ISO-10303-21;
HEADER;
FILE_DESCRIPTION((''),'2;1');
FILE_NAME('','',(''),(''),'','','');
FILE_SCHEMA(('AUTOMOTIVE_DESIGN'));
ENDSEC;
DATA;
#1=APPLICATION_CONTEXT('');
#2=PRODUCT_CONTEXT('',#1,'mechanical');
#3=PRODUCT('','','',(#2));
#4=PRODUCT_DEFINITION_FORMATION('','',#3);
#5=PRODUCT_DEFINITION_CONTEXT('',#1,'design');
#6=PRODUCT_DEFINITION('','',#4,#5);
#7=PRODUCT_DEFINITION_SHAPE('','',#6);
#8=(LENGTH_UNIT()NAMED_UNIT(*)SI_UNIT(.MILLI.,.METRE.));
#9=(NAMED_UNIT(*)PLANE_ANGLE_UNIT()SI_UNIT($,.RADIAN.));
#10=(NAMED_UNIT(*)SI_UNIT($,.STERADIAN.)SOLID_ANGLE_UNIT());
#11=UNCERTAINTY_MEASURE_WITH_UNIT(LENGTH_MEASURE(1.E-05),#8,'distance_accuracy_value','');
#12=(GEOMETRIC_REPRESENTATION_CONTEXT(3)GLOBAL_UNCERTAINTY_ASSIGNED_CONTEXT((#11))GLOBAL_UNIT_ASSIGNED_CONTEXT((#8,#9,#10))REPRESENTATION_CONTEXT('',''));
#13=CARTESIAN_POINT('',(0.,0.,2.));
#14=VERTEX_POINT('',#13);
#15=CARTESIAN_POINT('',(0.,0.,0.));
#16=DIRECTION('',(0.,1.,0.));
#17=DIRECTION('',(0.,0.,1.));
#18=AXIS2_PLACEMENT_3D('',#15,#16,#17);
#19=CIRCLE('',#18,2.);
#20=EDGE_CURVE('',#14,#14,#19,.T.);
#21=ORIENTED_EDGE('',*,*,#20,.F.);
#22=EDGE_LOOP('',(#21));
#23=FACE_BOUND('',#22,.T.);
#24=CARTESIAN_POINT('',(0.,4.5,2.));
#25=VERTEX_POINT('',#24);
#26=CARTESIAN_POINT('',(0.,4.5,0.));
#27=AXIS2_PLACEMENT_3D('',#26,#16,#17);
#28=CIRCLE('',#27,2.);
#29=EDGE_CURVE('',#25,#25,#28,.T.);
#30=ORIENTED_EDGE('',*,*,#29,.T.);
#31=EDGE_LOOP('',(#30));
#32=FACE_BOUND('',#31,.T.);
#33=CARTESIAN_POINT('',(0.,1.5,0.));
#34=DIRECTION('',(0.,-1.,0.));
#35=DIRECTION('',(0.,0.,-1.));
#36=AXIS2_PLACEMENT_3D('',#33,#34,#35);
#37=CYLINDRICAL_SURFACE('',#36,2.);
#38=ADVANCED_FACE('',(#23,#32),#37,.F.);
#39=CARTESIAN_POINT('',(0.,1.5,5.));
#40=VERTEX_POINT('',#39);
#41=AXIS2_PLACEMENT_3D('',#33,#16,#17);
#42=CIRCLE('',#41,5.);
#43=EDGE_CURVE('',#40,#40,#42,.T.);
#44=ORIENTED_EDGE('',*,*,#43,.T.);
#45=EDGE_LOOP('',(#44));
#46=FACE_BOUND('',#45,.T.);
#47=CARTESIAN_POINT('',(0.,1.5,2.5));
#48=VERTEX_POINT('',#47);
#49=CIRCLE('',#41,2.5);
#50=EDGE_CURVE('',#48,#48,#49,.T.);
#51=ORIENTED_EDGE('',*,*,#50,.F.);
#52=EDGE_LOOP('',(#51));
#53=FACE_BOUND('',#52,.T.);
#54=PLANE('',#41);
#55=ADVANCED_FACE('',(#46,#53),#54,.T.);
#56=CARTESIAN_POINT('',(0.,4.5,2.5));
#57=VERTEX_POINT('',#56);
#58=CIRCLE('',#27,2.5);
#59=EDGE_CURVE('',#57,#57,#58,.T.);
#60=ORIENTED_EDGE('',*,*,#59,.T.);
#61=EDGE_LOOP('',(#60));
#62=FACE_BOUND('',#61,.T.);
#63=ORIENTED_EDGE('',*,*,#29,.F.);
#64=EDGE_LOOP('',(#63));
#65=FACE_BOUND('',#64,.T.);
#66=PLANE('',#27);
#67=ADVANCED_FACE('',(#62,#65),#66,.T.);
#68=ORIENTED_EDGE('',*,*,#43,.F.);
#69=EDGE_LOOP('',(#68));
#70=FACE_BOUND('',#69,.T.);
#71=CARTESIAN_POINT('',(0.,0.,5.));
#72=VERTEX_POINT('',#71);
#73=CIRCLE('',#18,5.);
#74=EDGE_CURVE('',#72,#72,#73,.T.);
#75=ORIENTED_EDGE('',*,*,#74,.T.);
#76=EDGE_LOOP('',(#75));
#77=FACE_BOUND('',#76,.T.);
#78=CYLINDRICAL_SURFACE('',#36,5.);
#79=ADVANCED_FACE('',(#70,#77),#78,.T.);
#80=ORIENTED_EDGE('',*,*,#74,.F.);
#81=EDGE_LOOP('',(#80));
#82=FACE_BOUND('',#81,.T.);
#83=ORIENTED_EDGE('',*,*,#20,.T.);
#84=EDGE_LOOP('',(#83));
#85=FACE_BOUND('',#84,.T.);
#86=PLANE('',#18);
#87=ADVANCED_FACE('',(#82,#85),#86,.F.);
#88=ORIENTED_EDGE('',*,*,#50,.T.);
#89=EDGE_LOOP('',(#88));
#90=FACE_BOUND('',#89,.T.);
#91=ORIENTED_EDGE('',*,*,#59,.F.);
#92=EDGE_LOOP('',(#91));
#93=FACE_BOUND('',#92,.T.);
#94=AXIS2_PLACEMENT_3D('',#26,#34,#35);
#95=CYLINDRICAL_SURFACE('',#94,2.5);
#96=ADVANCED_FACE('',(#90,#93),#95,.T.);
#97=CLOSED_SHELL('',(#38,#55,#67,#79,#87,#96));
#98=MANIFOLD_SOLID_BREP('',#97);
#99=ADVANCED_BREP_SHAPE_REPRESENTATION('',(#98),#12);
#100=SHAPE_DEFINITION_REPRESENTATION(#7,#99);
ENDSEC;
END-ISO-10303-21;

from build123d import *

# Parameters (mm, degrees)
SKETCH_1_R      = 5
SKETCH_1_R_2    = 2
EXTRUDE_1_DEPTH = 1.5
SKETCH_2_R      = 2.5
SKETCH_2_R_2    = 2
EXTRUDE_2_DEPTH = 3


with BuildPart() as part:
    # 草图1 → 凸台-拉伸1 (new body)
    with BuildSketch(Plane(origin=(0, 0, 0), x_dir=(1, 0, 0), z_dir=(0, 1, 0))):
        Circle(SKETCH_1_R)
        Circle(SKETCH_1_R_2, mode=Mode.SUBTRACT)
    extrude(amount=EXTRUDE_1_DEPTH)

    # 草图2 → 凸台-拉伸2 (add)
    with BuildSketch(Plane(origin=(0, 1.5, 0), x_dir=(1, 0, 0), z_dir=(0, 1, 0))):
        Circle(SKETCH_2_R)
        Circle(SKETCH_2_R_2, mode=Mode.SUBTRACT)
    extrude(amount=EXTRUDE_2_DEPTH)


solid = part.part
